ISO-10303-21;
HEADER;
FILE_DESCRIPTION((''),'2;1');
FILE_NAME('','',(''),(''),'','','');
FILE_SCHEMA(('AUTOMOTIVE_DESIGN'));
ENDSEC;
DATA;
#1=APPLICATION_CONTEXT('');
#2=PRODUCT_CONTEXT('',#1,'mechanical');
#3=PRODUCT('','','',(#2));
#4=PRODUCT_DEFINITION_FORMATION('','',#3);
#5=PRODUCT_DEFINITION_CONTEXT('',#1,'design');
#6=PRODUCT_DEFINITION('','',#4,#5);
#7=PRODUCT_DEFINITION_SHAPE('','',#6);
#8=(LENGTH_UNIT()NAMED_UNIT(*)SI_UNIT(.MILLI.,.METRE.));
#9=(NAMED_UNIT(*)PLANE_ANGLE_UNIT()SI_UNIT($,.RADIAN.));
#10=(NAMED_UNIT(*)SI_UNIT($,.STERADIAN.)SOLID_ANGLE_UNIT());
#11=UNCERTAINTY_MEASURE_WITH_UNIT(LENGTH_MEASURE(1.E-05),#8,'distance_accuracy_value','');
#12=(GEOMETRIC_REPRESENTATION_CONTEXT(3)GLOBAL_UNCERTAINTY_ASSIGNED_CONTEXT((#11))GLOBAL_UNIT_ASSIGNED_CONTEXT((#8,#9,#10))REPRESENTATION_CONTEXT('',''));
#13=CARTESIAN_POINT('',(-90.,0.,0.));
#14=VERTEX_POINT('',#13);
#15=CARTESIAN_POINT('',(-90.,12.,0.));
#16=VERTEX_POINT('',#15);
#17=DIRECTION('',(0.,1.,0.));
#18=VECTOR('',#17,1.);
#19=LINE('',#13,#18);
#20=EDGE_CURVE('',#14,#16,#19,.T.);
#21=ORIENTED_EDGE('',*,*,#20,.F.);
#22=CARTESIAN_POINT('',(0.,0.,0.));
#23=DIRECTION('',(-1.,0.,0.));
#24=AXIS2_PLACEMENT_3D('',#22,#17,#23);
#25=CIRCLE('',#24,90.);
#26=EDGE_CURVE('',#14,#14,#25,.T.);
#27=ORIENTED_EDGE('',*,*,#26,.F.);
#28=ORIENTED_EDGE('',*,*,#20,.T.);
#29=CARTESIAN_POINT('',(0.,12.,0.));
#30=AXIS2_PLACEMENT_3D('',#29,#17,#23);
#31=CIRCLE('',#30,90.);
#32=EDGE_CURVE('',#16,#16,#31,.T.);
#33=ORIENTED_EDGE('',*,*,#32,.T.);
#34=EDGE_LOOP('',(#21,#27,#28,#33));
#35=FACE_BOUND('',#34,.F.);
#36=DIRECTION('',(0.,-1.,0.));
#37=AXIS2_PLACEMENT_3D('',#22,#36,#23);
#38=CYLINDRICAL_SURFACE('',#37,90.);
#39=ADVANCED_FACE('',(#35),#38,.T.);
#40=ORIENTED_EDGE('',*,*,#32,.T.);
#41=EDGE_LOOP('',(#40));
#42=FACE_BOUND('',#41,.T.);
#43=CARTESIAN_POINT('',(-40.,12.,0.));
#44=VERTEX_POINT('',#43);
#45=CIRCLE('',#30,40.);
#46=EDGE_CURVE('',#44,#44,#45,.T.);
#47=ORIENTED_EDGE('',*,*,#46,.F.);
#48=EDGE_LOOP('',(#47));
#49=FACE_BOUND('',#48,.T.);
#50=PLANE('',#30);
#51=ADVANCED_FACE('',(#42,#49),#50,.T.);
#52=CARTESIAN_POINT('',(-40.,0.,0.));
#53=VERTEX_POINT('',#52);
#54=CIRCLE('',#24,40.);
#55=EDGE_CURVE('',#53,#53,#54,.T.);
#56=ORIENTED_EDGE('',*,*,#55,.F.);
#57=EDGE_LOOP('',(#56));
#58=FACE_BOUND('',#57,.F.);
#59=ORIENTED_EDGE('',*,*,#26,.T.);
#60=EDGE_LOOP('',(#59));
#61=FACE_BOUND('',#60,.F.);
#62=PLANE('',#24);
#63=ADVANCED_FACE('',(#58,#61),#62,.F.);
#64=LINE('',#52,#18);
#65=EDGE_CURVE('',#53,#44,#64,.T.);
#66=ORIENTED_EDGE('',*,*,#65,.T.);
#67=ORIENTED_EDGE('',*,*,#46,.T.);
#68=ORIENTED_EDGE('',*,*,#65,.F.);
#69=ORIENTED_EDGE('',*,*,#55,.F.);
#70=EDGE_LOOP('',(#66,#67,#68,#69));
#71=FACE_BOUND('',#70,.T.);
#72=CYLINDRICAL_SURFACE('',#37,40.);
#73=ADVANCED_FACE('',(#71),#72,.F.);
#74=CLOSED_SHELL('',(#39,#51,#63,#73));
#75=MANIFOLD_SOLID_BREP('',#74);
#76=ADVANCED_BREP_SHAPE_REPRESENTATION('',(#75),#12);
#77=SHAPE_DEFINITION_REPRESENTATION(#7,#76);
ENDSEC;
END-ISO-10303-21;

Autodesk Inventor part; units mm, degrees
ref_plane "YZ Plane" through (0, 0, 0) normal (1, 0, 0) x (0, 1, 0)
ref_plane "XZ Plane" through (0, 0, 0) normal (0, 1, 0) x (-1, 0, 0)
ref_plane "XY Plane" through (0, 0, 0) normal (0, 0, 1) x (1, 0, 0)
sketch "Sketch1" plane through (0, 0, 0) normal (0, 1, 0) x (-1, 0, 0)
  circle A0 centre (0, 0) radius 40
  circle A1 centre (0, 0) radius 90
  dimension "d0" = 180
  dimension "d1" = 80
extrude "Extrusion1" add sketch "Sketch1" along normal blind 12
equation "\"d0\" = Внешний_диаметр_фланца_трубы_подкл"
equation "\"d1\" = Внешний_диам_трубы_подкл"
equation "\"BendRadius\" = Thickness"
equation "\"BendReliefWidth\" = Thickness"
equation "\"BendReliefDepth\" = 0.5 * Thickness"
equation "\"CornerReliefSize\" = 4 * Thickness"
equation "\"MinimumRemnant\" = 2 * Thickness"
equation "\"TransitionRadius\" = BendRadius"
equation "\"JacobiRadiusSize\" = BendRadius"
equation "\"GapSize\" = Thickness"
equation "\"Внешний_диаметр_фланца_трубы_подкл\" = 180"
equation "\"Внешний_диам_трубы_подкл\" = 80"
equation "\"Thickness\" = 3.048"
properties part number "Фланец трубы подключения фильтра D1200"
